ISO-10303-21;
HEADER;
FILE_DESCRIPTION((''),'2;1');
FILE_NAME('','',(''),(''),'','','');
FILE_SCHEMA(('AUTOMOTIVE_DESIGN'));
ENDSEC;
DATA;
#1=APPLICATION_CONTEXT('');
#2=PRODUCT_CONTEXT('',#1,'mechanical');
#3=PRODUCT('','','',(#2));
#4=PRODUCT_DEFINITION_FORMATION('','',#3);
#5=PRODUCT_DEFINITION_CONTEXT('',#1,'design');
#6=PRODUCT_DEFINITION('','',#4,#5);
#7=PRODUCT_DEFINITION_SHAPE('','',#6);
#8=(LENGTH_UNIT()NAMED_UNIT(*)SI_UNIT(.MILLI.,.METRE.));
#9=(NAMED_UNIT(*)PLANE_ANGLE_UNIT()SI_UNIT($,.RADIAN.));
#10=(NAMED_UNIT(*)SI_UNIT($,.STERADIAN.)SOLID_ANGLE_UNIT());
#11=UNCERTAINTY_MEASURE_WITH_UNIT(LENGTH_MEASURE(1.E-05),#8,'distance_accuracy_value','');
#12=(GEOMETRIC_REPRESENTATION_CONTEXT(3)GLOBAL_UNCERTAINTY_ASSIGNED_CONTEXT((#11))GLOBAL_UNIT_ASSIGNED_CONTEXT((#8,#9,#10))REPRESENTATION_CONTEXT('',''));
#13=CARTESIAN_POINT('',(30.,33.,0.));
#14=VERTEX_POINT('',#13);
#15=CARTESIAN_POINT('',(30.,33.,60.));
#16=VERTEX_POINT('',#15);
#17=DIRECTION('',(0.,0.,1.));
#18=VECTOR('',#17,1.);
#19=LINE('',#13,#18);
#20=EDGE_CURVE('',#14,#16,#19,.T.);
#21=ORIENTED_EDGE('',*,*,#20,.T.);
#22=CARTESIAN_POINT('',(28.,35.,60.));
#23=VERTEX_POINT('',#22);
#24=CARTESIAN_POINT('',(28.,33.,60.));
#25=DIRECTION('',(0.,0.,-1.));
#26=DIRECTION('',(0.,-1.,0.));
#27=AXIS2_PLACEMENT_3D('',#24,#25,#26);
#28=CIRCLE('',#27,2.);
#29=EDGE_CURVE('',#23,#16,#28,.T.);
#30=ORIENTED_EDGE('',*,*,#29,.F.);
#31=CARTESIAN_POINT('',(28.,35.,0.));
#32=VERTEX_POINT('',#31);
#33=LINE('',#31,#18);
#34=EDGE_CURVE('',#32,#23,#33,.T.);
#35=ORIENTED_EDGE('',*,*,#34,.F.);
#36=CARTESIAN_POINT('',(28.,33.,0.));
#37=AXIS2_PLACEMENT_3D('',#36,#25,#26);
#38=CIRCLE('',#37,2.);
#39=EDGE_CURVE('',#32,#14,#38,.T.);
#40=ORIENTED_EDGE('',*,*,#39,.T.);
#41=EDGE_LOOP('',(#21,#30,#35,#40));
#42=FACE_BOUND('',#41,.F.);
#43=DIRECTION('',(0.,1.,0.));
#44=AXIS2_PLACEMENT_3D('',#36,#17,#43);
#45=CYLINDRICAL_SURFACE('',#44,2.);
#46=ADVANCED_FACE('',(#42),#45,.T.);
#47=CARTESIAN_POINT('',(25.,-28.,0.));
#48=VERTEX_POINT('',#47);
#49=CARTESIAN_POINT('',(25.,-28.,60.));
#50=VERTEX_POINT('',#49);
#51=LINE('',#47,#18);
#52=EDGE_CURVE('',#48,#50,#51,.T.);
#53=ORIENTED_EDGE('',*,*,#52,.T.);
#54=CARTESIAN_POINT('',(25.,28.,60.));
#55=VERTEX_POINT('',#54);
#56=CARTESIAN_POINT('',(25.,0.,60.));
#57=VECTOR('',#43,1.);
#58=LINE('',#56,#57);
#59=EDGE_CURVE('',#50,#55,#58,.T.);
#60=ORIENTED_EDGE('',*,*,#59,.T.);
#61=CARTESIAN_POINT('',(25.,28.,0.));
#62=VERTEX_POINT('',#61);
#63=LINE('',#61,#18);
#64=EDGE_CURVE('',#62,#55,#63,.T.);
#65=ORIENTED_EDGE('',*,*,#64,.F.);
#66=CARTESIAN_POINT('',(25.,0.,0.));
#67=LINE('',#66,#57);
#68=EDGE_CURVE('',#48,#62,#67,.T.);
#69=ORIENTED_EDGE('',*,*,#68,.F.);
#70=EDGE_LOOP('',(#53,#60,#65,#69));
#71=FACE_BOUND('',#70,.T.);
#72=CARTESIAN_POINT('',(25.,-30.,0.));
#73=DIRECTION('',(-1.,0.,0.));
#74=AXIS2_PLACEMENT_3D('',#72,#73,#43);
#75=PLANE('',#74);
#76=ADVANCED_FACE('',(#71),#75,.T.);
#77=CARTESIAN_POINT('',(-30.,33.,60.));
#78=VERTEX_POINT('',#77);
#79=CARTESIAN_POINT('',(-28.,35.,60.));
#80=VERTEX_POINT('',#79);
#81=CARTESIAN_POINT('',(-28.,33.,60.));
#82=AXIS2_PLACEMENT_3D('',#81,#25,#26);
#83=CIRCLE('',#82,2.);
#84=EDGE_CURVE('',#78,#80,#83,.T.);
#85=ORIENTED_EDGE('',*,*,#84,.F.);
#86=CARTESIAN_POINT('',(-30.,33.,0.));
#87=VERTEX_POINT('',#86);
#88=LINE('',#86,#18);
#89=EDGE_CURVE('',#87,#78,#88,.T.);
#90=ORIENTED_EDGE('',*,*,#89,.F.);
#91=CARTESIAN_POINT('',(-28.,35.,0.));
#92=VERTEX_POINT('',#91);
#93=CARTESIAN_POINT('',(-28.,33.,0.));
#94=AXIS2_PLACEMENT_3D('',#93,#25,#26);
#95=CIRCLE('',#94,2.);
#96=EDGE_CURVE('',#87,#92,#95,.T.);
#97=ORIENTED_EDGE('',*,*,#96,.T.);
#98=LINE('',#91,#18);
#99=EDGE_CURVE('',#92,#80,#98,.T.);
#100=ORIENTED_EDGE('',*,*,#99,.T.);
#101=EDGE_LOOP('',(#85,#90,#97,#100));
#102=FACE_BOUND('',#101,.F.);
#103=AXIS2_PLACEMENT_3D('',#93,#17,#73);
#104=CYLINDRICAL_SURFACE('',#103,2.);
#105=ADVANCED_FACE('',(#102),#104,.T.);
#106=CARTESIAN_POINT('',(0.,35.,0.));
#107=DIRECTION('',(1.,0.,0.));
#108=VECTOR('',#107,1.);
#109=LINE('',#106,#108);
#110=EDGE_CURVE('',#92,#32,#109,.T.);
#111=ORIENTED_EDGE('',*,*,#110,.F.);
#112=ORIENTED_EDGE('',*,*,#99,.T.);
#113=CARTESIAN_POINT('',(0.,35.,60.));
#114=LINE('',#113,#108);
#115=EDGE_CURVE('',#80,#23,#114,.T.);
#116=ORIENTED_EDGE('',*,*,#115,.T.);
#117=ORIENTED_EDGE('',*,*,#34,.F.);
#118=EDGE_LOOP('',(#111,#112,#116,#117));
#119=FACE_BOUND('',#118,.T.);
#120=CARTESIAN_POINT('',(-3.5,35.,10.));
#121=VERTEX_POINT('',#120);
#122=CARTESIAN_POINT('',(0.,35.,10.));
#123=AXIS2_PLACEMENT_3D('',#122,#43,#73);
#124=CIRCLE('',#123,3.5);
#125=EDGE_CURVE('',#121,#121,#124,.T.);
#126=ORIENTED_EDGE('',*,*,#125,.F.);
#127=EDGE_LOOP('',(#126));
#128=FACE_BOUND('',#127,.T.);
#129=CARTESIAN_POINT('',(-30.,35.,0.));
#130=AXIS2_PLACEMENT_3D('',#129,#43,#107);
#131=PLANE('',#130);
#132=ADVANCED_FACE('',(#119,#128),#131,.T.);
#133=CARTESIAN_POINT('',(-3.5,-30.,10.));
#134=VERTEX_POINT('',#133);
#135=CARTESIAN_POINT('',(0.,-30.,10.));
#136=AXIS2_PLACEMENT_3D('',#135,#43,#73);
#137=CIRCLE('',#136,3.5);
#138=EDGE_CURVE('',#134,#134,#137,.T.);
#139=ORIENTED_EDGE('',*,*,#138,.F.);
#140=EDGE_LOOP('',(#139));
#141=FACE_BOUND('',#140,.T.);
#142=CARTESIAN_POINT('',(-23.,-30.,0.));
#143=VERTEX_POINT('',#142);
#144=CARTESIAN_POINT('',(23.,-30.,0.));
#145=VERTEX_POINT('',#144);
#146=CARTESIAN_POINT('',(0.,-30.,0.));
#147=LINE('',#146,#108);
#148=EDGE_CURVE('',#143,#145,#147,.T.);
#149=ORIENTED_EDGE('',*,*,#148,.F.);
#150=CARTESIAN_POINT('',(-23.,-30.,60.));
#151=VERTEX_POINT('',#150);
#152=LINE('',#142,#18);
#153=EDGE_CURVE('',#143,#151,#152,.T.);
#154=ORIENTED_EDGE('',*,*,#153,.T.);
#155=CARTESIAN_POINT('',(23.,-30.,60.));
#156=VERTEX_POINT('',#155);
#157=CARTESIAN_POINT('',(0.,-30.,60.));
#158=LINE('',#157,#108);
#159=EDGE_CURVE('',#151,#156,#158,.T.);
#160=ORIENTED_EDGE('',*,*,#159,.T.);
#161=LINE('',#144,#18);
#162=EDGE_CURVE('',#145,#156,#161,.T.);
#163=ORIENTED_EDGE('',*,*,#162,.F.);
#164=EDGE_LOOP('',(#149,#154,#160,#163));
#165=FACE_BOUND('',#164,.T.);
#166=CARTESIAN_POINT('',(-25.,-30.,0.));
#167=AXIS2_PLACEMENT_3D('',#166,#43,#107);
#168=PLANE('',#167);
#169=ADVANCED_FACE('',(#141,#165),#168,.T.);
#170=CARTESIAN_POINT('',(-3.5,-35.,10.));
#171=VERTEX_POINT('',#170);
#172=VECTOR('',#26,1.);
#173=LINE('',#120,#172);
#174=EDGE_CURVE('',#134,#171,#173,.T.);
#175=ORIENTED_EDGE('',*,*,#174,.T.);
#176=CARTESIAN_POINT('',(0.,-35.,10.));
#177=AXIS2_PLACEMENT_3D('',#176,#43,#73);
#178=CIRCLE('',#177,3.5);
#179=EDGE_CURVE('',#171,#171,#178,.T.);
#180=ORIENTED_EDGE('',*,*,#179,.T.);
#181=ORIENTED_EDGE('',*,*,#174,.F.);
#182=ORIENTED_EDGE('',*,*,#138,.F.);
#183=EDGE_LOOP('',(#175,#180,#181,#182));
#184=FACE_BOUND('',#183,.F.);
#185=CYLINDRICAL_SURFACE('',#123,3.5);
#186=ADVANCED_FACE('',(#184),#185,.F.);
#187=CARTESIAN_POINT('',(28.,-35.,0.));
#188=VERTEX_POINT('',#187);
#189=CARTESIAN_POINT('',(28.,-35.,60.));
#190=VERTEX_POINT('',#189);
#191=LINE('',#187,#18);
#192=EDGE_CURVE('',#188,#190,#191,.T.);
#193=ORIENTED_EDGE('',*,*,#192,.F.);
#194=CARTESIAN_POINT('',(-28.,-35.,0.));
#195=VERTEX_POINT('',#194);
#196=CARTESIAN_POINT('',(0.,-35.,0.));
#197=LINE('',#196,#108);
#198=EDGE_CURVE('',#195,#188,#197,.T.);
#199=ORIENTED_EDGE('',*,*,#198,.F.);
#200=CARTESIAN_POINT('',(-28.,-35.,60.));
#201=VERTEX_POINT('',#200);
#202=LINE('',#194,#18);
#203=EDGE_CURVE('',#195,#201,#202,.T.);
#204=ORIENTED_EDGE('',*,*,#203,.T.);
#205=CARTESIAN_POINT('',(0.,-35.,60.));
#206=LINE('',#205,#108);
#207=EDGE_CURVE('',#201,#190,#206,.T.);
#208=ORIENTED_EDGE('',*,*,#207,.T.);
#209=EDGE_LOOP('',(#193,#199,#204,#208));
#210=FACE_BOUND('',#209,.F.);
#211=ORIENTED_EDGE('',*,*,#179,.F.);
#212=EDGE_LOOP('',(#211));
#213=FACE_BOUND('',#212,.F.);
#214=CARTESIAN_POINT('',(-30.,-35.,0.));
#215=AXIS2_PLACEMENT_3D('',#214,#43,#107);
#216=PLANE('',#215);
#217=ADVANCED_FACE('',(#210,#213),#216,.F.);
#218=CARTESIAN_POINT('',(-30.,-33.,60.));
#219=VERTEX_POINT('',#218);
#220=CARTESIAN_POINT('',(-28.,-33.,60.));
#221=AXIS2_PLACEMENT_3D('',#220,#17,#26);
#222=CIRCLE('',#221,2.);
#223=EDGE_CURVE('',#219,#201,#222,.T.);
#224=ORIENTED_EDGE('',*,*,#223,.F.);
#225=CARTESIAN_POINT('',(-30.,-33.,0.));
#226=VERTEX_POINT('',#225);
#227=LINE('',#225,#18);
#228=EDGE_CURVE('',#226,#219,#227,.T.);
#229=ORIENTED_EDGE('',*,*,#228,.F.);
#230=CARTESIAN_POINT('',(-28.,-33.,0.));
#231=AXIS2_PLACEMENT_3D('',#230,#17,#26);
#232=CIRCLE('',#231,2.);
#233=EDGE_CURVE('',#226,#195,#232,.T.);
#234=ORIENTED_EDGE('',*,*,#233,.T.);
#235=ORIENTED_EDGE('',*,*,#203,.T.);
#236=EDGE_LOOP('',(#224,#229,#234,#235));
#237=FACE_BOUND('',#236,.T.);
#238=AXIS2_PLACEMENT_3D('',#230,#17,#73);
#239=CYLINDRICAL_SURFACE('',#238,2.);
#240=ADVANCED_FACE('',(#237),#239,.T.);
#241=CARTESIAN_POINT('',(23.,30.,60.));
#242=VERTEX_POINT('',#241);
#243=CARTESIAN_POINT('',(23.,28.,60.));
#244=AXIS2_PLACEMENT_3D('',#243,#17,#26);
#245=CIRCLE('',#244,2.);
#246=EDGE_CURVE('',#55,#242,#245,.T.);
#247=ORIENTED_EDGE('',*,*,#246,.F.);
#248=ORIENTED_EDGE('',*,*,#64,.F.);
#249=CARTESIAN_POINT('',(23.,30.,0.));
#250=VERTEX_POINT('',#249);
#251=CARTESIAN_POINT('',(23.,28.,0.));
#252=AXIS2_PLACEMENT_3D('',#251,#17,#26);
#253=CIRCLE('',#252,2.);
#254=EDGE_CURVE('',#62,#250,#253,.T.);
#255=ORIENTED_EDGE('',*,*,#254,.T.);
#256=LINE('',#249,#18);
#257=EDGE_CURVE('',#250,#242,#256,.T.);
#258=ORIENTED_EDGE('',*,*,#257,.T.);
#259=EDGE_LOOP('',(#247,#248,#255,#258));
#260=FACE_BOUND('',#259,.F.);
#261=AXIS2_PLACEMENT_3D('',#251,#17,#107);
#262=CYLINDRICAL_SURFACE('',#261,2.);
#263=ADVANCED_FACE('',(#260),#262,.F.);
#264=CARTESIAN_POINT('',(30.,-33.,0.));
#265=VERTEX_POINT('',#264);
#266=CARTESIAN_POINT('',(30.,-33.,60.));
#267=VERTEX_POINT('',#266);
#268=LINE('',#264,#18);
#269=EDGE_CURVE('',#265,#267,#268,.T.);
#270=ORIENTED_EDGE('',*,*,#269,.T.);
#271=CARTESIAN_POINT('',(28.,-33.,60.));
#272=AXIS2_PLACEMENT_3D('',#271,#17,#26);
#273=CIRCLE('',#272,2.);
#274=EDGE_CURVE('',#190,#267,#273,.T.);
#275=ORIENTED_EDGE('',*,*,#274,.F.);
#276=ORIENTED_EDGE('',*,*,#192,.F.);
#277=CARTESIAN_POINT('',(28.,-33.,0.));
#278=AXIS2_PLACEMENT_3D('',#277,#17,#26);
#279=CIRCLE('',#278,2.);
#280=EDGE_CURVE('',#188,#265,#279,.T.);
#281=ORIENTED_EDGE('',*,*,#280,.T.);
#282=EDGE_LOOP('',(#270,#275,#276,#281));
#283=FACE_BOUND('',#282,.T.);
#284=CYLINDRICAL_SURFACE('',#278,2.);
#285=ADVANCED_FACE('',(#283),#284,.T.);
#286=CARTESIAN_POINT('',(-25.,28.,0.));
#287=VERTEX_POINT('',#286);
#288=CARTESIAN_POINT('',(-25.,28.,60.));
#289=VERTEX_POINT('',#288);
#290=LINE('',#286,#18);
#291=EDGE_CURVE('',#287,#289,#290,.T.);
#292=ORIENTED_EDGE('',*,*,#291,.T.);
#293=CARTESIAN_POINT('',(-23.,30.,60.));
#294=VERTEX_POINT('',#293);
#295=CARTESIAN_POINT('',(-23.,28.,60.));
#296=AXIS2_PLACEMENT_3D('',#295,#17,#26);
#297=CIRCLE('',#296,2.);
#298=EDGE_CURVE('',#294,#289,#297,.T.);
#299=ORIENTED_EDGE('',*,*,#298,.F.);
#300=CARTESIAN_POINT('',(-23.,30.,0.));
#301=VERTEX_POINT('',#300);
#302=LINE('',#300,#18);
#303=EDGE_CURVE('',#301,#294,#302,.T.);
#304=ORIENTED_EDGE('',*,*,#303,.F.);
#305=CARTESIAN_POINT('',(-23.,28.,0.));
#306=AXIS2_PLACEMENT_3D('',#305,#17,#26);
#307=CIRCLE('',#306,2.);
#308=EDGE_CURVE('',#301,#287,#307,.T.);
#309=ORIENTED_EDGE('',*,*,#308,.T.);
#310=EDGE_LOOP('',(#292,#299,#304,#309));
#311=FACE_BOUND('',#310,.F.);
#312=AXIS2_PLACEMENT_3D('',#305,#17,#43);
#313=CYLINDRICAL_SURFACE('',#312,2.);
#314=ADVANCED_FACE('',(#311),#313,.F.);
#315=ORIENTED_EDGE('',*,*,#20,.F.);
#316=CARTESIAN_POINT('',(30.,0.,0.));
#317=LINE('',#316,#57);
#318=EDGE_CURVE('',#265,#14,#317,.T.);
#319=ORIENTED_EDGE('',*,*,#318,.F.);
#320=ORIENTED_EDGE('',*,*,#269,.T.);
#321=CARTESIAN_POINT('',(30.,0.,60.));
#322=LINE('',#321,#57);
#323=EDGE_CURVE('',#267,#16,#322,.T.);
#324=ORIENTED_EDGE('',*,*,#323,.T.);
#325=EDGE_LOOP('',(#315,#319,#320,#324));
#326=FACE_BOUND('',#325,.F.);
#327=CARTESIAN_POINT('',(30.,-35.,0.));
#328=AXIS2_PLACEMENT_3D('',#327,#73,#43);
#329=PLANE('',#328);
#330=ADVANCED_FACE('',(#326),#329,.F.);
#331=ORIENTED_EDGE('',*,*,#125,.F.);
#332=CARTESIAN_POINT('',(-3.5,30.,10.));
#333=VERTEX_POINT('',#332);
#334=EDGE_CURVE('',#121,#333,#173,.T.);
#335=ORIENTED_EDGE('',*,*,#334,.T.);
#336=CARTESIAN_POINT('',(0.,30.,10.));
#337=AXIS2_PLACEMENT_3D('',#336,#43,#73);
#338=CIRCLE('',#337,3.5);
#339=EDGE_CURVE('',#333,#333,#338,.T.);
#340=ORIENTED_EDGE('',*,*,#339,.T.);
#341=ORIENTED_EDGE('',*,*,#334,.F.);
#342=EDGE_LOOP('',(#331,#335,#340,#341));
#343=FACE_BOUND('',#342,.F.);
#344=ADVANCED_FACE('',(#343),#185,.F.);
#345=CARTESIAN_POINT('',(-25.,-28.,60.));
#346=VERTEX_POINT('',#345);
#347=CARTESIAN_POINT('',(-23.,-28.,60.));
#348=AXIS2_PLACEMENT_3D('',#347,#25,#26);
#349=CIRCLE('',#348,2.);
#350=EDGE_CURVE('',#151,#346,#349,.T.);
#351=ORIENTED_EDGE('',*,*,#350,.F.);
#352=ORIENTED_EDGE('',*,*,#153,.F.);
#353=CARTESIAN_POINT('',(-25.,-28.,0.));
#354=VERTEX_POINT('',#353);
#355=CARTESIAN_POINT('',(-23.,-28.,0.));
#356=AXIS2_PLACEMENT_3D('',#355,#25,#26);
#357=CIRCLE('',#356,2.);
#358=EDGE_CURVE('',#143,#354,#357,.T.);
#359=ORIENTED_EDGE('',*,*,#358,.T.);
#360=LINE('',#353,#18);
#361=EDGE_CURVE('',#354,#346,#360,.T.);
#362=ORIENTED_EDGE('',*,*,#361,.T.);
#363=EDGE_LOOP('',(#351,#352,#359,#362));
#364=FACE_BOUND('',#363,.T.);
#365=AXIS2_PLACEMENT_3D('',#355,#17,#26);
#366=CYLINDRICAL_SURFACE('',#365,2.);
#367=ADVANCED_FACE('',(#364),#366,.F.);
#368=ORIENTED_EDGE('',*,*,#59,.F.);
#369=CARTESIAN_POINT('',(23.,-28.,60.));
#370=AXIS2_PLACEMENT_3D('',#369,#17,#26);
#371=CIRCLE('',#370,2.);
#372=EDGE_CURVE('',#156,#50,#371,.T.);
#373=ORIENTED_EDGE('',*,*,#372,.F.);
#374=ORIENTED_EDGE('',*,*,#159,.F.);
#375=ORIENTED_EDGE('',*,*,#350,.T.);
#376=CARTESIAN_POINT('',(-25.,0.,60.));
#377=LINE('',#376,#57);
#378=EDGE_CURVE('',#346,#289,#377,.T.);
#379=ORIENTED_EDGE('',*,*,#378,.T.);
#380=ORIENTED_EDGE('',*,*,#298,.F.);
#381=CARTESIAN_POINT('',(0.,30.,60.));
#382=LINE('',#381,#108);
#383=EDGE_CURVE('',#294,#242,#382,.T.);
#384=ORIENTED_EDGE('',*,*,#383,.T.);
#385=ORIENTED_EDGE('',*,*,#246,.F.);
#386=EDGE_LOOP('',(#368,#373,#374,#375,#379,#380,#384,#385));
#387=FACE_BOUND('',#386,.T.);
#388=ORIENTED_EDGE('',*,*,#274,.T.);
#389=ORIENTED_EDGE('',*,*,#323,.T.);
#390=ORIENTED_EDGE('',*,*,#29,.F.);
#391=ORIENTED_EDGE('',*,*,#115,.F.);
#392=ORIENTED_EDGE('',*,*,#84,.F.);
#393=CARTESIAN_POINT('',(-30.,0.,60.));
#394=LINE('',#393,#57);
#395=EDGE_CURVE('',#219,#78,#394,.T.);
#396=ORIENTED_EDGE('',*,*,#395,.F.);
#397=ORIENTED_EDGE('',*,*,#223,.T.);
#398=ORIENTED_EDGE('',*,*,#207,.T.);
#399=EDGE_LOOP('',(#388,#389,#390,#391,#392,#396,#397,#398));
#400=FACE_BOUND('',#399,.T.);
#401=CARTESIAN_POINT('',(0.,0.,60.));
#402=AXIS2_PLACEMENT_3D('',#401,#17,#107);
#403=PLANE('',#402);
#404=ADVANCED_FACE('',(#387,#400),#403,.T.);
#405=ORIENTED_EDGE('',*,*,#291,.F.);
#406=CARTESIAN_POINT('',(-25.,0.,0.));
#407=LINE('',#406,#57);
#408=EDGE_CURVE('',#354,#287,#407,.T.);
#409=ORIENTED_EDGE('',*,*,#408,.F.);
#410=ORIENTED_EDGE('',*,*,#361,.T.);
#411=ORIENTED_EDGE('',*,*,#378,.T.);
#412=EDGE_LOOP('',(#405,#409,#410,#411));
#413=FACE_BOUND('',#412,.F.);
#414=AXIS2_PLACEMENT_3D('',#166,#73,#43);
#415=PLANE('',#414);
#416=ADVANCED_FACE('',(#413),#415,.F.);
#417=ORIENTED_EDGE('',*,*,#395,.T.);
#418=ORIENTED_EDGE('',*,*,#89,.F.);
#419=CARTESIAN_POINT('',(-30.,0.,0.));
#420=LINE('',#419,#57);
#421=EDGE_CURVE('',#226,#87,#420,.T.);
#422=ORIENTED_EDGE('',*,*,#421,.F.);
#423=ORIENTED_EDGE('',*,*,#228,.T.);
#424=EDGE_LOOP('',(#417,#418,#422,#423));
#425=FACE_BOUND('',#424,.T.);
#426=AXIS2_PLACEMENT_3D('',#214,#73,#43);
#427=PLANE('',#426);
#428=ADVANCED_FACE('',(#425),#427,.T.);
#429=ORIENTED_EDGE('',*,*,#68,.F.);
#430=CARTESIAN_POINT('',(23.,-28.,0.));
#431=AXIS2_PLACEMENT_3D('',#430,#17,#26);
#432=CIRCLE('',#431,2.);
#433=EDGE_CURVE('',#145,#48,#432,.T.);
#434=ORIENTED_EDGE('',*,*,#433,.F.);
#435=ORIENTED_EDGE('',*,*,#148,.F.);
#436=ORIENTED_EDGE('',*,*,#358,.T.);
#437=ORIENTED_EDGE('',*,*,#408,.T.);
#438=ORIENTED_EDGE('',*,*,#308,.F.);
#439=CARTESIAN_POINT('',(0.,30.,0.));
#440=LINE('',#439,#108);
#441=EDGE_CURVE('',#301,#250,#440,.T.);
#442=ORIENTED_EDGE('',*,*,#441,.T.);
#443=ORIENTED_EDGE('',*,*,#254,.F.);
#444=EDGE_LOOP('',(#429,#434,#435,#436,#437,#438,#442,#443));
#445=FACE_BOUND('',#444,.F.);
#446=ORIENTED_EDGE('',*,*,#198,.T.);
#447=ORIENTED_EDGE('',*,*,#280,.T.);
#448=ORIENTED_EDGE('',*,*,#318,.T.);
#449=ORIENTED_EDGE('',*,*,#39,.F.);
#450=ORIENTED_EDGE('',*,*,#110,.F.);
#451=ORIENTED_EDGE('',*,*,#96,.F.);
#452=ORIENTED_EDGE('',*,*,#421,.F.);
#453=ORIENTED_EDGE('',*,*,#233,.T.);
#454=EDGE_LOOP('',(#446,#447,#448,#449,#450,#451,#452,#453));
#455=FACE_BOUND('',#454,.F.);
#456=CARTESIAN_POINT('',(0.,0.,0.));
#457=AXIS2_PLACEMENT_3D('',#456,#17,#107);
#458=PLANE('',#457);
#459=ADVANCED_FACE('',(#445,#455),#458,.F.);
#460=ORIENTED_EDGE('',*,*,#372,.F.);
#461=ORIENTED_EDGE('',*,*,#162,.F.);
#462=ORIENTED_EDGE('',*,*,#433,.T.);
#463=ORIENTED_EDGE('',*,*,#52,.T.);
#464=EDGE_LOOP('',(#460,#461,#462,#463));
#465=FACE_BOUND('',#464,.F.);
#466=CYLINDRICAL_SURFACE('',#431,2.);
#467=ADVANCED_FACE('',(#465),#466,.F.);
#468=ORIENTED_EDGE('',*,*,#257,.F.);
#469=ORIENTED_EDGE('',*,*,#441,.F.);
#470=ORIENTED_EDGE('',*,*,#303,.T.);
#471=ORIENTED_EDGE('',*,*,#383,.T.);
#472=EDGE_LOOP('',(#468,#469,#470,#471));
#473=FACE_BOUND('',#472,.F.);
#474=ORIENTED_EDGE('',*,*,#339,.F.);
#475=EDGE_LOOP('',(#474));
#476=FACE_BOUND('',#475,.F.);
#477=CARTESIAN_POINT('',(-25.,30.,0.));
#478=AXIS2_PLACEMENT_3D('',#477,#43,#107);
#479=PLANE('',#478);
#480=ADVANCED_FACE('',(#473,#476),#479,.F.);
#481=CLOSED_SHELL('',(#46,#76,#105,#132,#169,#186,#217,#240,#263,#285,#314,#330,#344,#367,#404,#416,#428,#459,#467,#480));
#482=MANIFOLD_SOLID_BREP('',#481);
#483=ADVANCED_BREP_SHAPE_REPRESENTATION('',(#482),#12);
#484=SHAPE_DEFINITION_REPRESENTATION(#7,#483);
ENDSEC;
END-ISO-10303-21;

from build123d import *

# Parameters (mm, degrees)
F0_W     = 60
F0_H     = 70
F0_W_2   = 50
F0_H_2   = 60
F1_DEPTH = 60
F2_R     = 2
F3_R     = 3.5
F4_DEPTH = 70


with BuildPart() as f1:
    # F0 (on Top) → F1 (new body)
    with BuildSketch(Plane.XY):
        Rectangle(F0_W, F0_H)
        Rectangle(F0_W_2, F0_H_2, mode=Mode.SUBTRACT)
    extrude(amount=F1_DEPTH)

    # F2
    f2_edges = [f1.edges().sort_by_distance(p)[0] for p in [
        (-30, 35, 30),
        (-30, -35, 30),
        (30, -35, 30),
        (30, 35, 30),
        (-25, 30, 30),
        (-25, -30, 30),
        (25, 30, 30),
        (25, -30, 30),
    ]]
    fillet(f2_edges, radius=F2_R)

    # F3 (on face) → F4 (cut)
    with BuildSketch(Plane(origin=(0, 35, 0), x_dir=(-1, 0, 0), z_dir=(0, 1, 0))):
        with Locations((0, 10)):
            Circle(F3_R)
    extrude(amount=-F4_DEPTH, mode=Mode.SUBTRACT)


solid = f1.part
